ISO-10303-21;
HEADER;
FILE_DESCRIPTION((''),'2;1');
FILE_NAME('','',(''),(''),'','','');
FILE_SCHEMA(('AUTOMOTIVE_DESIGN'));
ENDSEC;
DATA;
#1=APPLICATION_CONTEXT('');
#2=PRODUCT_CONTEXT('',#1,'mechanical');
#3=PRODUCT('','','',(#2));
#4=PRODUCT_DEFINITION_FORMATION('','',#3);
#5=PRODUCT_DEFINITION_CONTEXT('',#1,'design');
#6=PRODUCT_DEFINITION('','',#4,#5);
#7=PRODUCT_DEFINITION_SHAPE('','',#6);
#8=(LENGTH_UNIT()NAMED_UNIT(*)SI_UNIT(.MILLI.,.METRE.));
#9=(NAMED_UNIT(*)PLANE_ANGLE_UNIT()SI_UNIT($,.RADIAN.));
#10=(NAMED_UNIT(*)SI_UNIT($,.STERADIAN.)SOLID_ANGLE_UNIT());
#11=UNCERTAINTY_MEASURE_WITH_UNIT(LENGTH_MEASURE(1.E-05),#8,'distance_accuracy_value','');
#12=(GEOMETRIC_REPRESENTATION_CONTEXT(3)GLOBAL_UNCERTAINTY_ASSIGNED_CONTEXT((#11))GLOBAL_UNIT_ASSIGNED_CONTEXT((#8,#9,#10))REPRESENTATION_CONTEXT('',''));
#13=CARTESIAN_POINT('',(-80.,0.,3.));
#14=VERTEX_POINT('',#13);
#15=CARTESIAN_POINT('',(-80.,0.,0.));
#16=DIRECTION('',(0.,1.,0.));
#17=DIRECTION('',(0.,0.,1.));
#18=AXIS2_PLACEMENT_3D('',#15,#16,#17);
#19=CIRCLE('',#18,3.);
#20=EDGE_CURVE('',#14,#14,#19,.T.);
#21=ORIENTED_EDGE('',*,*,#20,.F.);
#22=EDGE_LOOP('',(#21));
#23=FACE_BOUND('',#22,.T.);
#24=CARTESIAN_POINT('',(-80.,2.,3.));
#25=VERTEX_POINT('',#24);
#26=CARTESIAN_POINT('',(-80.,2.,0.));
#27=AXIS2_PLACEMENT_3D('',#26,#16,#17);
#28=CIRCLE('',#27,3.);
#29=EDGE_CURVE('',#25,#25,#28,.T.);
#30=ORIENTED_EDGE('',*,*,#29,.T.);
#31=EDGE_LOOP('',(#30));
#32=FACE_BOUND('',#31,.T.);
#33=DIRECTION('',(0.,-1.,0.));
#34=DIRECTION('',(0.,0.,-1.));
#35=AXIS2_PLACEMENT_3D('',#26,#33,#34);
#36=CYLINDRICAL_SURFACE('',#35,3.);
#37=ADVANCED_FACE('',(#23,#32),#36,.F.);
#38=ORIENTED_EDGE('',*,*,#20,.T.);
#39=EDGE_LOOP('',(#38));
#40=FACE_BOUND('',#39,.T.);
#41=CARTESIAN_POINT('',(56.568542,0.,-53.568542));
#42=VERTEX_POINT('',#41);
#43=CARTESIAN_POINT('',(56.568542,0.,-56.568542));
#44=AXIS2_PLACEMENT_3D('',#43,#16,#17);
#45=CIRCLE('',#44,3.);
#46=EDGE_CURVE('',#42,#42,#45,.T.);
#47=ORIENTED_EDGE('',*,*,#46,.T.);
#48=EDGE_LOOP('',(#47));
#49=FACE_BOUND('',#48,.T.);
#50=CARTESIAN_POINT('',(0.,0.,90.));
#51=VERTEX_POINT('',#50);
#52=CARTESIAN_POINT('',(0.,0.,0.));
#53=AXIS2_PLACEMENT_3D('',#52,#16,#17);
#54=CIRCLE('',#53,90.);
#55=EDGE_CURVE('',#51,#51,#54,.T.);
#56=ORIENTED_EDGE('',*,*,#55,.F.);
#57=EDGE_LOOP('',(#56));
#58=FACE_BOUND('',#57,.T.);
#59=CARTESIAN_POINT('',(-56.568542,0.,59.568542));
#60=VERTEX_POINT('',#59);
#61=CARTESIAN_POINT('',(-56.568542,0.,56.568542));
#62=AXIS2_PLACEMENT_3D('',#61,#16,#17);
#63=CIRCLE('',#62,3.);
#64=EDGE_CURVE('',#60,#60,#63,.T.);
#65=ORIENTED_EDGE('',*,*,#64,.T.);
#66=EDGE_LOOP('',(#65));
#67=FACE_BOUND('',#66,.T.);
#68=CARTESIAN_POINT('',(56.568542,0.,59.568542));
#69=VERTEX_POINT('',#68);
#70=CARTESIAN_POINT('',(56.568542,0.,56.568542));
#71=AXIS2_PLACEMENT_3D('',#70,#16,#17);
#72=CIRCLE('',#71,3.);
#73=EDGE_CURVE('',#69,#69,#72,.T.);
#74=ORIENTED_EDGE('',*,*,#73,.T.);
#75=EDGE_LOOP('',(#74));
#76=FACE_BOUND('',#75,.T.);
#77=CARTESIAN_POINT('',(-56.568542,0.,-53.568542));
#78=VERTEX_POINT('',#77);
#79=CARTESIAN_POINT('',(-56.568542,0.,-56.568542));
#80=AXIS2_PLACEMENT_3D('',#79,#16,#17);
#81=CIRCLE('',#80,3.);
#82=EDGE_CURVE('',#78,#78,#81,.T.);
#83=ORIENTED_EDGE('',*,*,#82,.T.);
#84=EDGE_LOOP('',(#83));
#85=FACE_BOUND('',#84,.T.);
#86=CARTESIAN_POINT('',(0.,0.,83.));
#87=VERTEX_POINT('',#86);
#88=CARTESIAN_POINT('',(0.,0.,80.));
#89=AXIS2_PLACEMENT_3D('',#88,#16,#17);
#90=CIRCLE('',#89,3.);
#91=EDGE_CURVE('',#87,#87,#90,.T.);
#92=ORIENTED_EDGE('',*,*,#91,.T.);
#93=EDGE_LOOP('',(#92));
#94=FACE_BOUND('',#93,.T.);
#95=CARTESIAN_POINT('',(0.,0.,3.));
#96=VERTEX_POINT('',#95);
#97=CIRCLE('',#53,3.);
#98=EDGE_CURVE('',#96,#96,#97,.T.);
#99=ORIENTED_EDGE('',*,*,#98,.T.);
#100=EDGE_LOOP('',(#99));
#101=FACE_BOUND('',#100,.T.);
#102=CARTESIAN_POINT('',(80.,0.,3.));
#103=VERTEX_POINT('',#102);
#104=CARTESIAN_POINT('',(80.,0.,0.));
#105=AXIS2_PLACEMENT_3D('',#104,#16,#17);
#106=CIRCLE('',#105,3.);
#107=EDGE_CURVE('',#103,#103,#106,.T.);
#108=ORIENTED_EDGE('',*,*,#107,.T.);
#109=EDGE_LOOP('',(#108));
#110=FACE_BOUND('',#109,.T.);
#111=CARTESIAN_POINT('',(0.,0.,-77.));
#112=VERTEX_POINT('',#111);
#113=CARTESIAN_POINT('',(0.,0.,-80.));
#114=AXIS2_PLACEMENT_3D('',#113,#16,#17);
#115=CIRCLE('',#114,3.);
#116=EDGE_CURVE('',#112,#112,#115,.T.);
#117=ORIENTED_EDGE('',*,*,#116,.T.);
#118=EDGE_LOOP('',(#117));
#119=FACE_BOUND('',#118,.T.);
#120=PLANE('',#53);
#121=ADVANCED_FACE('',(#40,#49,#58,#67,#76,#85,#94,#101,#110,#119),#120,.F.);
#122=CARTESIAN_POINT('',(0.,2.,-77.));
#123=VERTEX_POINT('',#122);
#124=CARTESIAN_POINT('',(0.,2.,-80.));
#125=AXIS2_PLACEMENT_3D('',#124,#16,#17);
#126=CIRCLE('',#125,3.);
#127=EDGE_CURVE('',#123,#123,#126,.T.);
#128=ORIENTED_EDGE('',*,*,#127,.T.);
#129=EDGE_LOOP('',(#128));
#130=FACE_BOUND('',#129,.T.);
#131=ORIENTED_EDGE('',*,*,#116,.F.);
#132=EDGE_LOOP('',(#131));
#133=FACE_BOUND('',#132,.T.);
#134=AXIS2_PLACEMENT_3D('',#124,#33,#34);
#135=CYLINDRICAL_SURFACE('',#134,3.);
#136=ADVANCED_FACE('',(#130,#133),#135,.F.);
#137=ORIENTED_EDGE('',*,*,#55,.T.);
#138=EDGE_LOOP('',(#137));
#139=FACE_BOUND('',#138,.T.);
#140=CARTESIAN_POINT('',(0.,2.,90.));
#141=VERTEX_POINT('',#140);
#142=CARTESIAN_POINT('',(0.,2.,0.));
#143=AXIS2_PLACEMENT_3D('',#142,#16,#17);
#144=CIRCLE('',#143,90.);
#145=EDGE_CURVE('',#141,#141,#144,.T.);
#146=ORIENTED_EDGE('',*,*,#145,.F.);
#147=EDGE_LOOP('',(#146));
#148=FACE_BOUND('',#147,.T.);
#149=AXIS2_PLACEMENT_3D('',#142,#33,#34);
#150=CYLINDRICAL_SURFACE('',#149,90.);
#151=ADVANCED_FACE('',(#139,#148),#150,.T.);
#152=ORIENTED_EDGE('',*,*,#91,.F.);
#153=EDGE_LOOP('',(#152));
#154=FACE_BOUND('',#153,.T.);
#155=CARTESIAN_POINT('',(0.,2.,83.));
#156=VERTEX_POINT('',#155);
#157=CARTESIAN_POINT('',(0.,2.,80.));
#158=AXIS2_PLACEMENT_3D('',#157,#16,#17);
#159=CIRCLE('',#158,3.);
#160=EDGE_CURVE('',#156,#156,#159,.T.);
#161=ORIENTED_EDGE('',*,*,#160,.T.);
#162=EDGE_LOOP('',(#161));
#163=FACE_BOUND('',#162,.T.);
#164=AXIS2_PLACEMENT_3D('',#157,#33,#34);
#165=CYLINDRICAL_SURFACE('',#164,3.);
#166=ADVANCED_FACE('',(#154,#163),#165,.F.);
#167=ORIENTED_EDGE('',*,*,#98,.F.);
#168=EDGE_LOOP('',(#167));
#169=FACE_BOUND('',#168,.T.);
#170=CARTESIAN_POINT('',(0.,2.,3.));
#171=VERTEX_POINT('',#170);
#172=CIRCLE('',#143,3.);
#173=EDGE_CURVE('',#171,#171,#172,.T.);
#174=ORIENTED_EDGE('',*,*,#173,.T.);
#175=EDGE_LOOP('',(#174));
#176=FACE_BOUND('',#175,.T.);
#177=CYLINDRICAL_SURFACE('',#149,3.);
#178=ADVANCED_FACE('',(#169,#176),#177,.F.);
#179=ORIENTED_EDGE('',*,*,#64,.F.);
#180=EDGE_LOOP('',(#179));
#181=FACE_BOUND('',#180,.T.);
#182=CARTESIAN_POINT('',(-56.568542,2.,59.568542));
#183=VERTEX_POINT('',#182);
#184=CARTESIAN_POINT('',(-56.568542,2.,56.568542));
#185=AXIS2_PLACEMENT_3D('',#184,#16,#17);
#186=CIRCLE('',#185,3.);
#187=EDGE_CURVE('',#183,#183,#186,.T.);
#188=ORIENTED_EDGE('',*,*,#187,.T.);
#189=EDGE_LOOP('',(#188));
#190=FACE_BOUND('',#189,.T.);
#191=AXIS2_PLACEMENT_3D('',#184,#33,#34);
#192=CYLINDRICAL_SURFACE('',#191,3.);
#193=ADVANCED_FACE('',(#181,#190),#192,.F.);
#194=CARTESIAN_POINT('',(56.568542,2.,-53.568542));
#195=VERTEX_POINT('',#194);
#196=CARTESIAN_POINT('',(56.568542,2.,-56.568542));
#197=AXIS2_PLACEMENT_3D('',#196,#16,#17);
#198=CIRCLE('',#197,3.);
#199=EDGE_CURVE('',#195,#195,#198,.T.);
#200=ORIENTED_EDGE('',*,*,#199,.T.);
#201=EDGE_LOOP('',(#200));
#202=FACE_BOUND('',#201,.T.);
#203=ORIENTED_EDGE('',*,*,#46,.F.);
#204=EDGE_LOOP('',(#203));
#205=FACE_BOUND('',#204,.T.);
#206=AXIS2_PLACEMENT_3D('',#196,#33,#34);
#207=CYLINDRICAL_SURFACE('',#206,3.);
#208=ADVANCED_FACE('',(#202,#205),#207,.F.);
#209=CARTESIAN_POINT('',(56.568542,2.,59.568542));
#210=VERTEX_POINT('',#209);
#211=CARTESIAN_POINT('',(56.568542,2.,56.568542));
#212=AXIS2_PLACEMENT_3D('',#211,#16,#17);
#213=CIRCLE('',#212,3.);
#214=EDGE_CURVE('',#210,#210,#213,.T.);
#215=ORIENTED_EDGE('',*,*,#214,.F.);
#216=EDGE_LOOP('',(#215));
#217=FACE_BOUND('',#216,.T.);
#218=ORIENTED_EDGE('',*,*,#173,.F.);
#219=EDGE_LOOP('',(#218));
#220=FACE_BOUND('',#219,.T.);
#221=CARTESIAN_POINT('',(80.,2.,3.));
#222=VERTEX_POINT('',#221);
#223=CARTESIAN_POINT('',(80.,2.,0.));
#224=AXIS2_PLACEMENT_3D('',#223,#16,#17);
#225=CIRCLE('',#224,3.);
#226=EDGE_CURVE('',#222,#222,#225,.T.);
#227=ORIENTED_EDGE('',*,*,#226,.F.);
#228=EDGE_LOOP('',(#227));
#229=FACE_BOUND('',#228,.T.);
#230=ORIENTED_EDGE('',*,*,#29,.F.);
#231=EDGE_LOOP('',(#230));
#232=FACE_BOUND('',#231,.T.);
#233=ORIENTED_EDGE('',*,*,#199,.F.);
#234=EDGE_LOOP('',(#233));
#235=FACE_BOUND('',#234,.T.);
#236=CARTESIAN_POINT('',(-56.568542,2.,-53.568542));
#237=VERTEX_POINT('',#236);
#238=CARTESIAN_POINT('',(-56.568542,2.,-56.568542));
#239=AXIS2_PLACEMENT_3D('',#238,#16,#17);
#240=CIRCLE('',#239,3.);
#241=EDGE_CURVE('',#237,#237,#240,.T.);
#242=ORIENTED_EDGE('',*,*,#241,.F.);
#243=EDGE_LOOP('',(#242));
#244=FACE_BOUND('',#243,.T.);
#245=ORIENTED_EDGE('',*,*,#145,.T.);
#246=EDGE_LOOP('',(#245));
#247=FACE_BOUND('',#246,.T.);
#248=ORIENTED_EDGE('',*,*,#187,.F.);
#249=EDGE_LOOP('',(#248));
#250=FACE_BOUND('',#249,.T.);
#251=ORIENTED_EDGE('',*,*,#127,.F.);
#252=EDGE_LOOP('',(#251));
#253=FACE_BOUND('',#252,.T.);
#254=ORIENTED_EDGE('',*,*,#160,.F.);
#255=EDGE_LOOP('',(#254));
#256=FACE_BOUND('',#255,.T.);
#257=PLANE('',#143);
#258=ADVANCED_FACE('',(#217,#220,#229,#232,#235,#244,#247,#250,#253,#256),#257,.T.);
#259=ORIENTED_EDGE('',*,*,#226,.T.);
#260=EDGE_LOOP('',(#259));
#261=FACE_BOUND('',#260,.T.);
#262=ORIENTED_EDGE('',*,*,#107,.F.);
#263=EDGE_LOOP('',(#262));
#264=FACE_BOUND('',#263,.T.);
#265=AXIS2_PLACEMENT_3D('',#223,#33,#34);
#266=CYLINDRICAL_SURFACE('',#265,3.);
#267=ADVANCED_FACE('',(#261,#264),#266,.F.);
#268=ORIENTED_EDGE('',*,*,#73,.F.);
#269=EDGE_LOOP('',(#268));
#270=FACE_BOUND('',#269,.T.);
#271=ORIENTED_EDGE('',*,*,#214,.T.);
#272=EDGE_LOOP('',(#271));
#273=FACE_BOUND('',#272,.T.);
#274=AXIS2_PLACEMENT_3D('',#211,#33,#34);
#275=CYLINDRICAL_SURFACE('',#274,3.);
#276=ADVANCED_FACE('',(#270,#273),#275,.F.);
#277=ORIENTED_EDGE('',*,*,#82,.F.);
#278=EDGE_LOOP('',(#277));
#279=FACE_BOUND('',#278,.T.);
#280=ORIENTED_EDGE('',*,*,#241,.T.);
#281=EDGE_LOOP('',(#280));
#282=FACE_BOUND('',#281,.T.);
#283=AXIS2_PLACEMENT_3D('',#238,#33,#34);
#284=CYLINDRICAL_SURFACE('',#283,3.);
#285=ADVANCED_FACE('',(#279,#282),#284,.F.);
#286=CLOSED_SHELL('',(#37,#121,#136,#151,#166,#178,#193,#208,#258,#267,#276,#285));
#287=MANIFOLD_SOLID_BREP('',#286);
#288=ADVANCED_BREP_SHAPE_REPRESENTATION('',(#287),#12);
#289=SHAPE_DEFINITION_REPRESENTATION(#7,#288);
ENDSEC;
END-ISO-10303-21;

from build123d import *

# Parameters (mm, degrees)
SKETCH1_R           = 90
SKETCH1_R_2         = 3
BOSS_EXTRUDE1_DEPTH = 2


with BuildPart() as part:
    # Sketch1 → Boss-Extrude1 (new body)
    with BuildSketch(Plane(origin=(0, 0, 0), x_dir=(1, 0, 0), z_dir=(0, 1, 0))):
        Circle(SKETCH1_R)
        Circle(SKETCH1_R_2, mode=Mode.SUBTRACT)
        with Locations((0, 80)):
            Circle(SKETCH1_R_2, mode=Mode.SUBTRACT)
        with Locations((56.568542495, 56.568542495)):
            Circle(SKETCH1_R_2, mode=Mode.SUBTRACT)
        with Locations((80, 0)):
            Circle(SKETCH1_R_2, mode=Mode.SUBTRACT)
        with Locations((56.568542495, -56.568542495)):
            Circle(SKETCH1_R_2, mode=Mode.SUBTRACT)
        with Locations((0, -80)):
            Circle(SKETCH1_R_2, mode=Mode.SUBTRACT)
        with Locations((-56.568542495, -56.568542495)):
            Circle(SKETCH1_R_2, mode=Mode.SUBTRACT)
        with Locations((-80, 0)):
            Circle(SKETCH1_R_2, mode=Mode.SUBTRACT)
        with Locations((-56.568542495, 56.568542495)):
            Circle(SKETCH1_R_2, mode=Mode.SUBTRACT)
    extrude(amount=BOSS_EXTRUDE1_DEPTH)


solid = part.part
